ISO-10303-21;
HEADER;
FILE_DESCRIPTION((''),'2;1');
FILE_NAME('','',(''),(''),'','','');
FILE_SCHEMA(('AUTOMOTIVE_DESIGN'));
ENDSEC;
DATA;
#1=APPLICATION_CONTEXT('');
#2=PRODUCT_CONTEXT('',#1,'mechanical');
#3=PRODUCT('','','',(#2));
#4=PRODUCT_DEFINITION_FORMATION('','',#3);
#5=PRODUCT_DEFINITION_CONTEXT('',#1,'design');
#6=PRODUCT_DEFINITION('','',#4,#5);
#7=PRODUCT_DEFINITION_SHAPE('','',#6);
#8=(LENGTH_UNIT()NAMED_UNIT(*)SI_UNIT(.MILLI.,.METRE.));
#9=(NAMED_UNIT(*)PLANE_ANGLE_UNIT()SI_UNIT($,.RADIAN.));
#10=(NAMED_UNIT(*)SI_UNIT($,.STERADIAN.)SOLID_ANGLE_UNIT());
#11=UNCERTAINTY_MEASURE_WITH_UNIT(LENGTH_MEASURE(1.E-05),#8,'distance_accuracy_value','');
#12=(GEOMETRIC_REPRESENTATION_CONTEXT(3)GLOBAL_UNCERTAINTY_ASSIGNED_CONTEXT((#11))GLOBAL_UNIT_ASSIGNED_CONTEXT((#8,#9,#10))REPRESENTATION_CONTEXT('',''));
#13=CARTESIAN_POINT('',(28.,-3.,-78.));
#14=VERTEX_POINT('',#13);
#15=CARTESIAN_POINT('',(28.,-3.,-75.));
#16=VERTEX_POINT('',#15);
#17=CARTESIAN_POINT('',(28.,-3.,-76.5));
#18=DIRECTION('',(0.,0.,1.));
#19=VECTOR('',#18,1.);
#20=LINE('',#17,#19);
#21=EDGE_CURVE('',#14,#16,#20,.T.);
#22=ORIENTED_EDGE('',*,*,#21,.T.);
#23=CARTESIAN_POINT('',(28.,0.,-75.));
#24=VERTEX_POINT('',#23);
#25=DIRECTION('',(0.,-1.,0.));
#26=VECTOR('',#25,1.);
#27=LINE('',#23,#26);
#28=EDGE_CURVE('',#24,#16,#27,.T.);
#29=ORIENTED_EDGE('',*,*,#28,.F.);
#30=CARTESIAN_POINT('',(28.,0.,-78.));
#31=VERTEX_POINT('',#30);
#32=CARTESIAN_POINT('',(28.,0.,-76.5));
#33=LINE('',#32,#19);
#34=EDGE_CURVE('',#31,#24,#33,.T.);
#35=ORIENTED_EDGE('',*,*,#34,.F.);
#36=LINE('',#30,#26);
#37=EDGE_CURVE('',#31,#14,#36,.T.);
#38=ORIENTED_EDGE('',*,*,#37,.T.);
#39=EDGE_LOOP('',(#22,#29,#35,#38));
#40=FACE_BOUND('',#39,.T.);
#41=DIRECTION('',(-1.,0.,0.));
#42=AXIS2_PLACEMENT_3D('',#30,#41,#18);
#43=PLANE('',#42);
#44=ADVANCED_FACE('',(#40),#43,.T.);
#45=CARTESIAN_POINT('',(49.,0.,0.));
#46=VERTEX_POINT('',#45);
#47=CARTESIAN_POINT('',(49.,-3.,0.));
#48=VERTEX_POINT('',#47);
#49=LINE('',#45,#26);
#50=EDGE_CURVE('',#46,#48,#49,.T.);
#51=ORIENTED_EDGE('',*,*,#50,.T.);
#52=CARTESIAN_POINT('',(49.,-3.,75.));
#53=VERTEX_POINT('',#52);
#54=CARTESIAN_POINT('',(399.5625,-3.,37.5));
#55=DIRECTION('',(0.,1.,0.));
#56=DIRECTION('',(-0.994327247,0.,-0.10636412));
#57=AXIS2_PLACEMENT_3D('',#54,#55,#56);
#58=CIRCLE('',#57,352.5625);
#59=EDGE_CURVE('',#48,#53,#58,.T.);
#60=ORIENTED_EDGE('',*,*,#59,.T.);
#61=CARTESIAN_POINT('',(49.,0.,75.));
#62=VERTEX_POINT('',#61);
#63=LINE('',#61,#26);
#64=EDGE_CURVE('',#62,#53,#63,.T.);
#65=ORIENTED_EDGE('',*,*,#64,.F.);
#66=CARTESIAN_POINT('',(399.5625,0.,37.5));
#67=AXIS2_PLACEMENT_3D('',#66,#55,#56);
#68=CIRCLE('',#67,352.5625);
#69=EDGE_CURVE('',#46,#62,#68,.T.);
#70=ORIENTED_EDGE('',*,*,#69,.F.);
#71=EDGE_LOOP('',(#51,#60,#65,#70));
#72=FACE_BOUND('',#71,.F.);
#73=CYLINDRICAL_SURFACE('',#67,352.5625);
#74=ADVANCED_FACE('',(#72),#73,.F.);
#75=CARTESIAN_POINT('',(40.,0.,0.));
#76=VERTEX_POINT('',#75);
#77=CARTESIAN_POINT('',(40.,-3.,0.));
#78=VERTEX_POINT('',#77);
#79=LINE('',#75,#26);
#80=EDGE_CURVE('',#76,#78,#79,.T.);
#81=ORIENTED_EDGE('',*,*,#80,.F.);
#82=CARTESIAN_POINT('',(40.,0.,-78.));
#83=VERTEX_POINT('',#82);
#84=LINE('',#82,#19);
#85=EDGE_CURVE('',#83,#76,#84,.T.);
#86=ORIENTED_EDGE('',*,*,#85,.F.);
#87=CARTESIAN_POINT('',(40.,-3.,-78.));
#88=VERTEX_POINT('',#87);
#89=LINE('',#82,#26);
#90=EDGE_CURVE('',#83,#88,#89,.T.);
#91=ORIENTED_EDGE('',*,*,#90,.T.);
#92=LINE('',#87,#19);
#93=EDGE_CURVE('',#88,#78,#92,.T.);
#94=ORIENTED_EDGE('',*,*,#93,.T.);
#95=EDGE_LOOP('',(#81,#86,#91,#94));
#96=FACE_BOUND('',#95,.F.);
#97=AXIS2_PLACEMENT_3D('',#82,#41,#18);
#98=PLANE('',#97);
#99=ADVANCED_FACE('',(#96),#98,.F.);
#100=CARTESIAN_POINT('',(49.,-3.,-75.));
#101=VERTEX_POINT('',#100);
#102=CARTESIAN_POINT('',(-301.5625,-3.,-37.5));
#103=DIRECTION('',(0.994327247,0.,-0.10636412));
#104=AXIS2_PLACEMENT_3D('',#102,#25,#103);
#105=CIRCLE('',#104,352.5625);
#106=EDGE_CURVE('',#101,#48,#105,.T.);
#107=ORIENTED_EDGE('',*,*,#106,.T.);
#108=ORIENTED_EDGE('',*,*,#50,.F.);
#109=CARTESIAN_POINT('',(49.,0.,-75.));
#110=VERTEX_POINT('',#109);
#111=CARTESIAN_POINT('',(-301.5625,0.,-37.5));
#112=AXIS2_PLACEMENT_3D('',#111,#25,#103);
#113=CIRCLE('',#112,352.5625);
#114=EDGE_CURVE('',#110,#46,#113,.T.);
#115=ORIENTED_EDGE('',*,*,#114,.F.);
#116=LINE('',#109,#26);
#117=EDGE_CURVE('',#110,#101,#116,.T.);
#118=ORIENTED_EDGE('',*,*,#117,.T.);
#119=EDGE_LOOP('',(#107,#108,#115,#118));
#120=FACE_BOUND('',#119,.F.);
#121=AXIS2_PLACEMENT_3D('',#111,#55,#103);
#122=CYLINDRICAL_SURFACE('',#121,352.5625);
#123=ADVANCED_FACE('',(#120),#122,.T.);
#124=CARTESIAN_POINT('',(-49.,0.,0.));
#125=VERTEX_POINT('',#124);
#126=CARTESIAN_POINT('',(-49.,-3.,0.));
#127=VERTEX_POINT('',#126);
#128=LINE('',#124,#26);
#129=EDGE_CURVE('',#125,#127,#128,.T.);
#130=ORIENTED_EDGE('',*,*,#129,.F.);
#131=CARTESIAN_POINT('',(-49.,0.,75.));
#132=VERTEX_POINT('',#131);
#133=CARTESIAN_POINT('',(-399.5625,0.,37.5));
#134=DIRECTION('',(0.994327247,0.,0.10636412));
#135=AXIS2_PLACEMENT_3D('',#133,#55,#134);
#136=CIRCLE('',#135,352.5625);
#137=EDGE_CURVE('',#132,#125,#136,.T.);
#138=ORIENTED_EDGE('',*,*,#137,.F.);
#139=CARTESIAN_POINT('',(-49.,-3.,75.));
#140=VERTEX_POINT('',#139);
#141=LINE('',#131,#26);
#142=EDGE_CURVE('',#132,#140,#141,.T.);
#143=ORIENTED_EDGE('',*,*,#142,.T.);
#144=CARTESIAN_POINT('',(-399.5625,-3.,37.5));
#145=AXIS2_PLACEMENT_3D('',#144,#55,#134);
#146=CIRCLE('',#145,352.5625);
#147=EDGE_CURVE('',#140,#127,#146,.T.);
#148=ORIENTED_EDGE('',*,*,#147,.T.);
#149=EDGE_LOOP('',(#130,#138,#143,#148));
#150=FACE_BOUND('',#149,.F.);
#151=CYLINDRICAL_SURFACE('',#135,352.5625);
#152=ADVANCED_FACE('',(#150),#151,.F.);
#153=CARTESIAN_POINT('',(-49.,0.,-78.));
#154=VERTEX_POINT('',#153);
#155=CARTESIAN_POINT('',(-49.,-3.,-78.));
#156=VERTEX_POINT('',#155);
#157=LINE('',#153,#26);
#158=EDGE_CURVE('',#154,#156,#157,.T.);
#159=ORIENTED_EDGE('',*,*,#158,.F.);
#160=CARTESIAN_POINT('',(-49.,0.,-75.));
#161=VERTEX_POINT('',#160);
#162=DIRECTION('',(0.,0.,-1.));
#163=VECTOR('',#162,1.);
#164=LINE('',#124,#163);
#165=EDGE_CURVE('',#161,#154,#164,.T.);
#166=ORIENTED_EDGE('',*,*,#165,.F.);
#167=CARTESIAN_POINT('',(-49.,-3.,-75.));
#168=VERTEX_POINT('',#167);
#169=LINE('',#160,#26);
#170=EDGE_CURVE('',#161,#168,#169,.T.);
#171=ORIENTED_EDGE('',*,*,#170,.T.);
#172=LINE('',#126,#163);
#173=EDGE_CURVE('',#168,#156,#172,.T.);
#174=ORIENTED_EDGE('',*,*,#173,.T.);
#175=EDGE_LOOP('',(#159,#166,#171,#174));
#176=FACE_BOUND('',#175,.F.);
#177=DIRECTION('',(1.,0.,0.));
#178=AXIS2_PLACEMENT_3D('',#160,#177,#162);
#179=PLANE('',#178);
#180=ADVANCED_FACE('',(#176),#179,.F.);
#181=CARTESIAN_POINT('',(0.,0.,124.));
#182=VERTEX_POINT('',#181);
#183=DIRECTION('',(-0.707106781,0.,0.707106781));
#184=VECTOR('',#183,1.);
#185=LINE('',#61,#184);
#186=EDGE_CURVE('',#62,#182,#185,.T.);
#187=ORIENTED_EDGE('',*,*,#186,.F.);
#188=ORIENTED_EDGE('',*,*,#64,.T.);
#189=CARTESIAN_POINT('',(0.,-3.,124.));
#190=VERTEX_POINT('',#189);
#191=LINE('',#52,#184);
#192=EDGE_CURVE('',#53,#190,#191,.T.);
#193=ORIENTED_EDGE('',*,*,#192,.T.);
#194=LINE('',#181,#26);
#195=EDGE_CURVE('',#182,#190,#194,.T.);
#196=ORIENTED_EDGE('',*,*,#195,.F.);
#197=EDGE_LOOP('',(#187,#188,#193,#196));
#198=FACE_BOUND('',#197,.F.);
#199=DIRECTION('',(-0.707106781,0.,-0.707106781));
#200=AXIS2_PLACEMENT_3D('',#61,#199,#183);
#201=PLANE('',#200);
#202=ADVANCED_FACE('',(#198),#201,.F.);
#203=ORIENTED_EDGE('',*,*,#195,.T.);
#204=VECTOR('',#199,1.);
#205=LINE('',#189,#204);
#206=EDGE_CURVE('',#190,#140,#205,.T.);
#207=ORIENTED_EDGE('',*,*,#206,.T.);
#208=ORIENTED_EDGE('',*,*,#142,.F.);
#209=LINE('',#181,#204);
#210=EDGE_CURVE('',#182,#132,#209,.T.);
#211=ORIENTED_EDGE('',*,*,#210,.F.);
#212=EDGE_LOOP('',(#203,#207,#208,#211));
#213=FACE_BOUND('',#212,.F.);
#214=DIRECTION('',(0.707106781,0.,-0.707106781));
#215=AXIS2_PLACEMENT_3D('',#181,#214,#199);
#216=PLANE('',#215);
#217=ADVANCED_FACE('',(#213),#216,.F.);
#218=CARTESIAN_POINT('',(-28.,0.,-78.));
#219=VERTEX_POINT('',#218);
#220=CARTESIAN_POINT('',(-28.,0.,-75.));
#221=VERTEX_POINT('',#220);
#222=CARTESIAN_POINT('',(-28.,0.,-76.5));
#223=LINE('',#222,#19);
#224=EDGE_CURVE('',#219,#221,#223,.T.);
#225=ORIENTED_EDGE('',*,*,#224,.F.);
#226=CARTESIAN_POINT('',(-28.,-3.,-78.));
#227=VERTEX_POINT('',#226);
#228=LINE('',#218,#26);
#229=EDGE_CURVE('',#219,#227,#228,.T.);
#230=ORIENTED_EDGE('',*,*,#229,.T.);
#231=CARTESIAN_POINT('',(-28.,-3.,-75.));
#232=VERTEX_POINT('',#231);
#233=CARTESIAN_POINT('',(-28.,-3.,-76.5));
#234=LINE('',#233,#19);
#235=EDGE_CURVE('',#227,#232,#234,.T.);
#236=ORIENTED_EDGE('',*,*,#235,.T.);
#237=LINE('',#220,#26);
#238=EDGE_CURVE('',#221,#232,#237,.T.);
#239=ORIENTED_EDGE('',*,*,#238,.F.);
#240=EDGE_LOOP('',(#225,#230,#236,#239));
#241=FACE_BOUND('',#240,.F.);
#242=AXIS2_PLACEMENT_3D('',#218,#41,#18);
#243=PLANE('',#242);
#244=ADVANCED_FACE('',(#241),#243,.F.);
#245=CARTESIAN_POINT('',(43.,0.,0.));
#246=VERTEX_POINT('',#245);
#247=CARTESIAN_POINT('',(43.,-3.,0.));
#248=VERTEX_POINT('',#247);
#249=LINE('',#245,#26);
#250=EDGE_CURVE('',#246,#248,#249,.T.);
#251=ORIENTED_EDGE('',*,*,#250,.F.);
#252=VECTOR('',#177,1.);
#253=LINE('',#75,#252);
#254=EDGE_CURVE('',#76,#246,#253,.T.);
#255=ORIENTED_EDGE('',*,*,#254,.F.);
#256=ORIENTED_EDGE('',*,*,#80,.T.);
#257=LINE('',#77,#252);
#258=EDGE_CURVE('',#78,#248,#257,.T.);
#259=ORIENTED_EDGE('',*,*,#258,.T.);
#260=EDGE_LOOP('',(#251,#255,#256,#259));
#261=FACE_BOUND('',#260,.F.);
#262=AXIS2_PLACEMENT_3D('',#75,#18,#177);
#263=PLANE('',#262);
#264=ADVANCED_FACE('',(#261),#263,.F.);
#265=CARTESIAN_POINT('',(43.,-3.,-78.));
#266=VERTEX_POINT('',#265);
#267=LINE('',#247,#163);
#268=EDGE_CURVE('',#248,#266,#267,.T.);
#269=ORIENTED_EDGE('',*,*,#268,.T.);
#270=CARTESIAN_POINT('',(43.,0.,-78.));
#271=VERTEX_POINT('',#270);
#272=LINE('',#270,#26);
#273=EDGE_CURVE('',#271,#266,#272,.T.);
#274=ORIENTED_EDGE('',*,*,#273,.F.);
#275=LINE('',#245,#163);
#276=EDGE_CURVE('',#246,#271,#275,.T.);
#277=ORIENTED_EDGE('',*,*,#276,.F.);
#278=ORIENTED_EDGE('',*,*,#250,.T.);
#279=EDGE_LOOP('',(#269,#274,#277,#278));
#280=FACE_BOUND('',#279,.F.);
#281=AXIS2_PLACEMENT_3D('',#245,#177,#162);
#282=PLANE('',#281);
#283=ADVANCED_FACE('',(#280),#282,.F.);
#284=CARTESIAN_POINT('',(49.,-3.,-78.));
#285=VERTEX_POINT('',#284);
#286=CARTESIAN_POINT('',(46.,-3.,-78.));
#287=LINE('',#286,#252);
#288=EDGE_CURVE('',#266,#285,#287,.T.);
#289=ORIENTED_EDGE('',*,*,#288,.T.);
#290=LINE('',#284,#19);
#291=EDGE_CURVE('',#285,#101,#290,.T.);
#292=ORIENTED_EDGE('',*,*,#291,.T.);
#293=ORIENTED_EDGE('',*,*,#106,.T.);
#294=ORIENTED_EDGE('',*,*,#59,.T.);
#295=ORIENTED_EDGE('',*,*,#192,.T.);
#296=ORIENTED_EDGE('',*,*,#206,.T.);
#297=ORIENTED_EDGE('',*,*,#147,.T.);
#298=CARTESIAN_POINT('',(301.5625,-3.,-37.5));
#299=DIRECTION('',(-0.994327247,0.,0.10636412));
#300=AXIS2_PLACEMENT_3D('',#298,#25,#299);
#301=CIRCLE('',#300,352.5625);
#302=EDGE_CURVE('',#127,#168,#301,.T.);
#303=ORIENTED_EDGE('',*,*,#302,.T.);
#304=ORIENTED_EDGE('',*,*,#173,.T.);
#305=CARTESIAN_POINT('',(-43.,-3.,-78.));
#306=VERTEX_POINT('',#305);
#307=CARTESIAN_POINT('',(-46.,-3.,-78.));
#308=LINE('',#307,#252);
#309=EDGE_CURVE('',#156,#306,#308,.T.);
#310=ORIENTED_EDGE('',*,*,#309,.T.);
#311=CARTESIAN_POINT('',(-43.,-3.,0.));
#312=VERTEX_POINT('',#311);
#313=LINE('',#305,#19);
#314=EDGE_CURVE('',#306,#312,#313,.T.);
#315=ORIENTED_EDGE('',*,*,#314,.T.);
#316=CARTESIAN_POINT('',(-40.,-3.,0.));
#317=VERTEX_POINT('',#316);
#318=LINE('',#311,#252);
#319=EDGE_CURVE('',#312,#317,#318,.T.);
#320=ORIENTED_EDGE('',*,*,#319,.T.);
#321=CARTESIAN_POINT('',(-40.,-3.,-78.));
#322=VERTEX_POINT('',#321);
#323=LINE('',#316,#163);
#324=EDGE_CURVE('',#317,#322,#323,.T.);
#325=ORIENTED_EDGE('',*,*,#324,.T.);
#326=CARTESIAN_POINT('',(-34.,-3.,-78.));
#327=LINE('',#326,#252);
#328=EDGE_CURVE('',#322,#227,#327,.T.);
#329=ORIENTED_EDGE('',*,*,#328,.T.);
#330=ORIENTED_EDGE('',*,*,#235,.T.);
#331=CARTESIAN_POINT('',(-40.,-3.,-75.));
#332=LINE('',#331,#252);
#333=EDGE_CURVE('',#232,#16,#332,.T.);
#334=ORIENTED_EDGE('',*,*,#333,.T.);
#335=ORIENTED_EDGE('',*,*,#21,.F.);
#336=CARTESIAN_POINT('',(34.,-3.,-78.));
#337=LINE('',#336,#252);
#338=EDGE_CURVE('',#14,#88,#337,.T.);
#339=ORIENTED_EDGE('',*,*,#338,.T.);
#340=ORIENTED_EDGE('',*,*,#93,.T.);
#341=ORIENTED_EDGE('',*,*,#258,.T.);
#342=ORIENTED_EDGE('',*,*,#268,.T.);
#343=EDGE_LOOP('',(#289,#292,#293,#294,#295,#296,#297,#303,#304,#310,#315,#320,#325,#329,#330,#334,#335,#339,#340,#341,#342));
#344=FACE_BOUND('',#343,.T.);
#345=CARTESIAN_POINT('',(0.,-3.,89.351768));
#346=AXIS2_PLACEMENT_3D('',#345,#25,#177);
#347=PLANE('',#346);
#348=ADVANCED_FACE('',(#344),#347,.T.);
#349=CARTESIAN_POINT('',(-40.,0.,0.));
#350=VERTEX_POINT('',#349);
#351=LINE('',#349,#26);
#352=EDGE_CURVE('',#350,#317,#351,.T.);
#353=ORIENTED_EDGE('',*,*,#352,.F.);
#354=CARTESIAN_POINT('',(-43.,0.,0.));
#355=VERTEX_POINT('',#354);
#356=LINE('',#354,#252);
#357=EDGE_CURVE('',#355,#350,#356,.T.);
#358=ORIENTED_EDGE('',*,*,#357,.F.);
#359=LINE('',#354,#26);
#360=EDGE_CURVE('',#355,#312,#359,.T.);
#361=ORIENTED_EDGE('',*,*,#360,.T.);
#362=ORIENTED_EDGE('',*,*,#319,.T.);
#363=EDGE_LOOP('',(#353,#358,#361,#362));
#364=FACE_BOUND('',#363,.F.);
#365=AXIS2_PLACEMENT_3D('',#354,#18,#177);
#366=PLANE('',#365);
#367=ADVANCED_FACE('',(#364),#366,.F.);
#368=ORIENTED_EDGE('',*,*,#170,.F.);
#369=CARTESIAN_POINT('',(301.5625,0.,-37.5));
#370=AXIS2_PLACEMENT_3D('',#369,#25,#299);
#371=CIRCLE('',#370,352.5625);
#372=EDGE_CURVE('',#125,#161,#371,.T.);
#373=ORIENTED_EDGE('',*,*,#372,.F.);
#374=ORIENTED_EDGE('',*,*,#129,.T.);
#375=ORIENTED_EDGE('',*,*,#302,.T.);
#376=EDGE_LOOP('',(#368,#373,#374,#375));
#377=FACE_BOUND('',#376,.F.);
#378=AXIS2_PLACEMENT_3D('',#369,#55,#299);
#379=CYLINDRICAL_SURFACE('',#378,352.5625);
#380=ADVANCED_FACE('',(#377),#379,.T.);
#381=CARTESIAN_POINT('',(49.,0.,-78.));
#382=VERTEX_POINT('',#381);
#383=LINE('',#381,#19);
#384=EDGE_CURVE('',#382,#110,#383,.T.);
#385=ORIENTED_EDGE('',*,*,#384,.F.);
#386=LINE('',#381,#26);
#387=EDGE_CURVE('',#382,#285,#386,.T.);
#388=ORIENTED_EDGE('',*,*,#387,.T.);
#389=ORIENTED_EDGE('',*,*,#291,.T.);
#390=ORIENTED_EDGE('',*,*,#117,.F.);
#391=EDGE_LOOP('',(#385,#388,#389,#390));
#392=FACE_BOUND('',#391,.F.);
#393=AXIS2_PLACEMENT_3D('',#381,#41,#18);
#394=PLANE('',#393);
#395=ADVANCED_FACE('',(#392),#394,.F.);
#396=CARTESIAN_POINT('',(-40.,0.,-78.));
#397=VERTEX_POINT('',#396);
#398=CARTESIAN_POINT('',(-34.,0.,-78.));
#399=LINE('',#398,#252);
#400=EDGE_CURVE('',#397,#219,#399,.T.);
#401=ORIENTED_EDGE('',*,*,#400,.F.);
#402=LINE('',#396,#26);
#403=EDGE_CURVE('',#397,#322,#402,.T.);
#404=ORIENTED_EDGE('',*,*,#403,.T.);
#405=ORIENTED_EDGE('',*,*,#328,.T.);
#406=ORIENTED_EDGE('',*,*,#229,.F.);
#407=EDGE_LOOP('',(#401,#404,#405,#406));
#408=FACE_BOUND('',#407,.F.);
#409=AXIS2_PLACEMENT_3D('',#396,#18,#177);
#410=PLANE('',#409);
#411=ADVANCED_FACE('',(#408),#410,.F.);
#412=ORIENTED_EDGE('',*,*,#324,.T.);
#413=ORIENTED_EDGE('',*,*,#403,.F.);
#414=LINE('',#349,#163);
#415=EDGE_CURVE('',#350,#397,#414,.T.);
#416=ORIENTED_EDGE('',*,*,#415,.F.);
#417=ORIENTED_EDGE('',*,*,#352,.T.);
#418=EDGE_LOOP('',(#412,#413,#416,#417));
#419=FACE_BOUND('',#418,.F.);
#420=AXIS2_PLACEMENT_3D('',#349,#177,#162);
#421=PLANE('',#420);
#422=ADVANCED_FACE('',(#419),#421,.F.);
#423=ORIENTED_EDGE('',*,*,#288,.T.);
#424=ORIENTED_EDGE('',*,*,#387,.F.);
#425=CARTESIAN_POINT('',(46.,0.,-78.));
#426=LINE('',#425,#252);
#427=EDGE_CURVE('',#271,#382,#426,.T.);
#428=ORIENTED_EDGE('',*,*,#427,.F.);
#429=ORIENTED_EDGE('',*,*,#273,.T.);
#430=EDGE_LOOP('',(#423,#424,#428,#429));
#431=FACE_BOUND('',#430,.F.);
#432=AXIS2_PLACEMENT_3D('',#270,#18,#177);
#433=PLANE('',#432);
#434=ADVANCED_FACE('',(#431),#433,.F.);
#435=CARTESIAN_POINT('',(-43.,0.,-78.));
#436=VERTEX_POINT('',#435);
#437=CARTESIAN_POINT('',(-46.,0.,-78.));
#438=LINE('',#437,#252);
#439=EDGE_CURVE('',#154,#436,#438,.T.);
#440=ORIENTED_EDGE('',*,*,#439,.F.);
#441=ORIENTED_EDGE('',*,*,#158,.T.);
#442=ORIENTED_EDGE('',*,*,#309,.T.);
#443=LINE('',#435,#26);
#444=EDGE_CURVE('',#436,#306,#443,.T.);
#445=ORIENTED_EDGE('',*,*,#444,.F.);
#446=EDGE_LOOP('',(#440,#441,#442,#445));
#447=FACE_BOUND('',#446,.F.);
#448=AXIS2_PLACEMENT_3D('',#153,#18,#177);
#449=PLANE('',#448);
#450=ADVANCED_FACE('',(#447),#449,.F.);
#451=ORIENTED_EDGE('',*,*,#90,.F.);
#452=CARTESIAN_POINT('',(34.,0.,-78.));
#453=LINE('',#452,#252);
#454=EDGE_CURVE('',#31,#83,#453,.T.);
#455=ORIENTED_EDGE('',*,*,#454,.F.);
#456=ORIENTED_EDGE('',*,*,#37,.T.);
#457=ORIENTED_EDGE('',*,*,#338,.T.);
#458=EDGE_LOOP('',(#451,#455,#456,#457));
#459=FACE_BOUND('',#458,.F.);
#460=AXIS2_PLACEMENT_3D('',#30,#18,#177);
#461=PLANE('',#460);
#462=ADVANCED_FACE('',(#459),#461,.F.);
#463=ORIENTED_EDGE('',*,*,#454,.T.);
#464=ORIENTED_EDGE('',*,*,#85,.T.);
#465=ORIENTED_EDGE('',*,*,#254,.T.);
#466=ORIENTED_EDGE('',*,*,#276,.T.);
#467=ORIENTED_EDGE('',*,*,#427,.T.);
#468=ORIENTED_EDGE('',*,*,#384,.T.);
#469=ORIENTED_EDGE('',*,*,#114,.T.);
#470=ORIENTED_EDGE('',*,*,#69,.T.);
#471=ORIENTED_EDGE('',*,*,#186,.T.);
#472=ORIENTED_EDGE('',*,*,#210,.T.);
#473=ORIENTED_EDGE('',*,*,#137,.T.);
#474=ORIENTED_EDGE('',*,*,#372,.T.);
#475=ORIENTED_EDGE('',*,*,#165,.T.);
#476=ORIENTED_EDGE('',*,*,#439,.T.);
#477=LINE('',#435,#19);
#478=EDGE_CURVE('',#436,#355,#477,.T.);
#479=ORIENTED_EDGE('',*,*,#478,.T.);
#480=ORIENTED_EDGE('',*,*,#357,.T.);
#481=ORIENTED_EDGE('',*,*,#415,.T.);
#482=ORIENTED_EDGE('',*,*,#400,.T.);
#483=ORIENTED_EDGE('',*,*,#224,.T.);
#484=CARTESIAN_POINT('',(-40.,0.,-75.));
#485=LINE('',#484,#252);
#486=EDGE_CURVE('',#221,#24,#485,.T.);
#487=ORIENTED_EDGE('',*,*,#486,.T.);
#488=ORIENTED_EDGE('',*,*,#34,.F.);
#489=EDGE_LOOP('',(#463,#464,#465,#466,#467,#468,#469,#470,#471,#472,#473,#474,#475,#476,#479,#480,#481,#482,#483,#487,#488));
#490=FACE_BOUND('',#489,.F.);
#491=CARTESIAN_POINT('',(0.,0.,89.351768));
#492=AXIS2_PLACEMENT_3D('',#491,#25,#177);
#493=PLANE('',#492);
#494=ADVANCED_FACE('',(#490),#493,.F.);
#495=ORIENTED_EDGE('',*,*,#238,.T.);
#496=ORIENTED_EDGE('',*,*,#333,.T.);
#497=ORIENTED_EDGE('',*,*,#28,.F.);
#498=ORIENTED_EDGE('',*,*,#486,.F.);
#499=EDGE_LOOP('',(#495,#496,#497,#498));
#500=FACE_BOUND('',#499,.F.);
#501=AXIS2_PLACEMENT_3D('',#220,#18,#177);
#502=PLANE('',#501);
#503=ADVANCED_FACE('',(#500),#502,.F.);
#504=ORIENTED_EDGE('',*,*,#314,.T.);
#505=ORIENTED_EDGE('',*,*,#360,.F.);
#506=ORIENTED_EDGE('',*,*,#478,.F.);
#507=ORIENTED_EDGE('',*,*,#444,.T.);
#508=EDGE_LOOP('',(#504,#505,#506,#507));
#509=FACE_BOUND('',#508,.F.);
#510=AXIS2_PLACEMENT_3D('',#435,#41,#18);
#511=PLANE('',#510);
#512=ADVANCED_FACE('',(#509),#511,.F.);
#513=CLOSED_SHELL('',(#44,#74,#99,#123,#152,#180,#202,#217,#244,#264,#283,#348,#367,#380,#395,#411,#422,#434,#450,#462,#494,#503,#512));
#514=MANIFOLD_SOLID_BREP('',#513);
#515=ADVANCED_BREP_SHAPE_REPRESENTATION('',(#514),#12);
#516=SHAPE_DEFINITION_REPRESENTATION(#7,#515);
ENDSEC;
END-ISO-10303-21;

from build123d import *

# Parameters (mm, degrees)
F1_W     = 6
F1_H     = 3
F1_W_2   = 12
F2_DEPTH = 3


with BuildPart() as f2:
    # F1 (on Front) → F2 (new body)
    with BuildSketch(Plane.XZ):
        Polygon((-49, 75), (49, 75), (0, 124), align=None)
        with BuildLine():
            Line((43, -75), (49, -75))
            Line((49, -75), (49, 0))
            ThreePointArc((49, 0), (47, 37.5), (49, 75))
            Line((49, 75), (-49, 75))
            ThreePointArc((-49, 75), (-47, 37.5), (-49, 0))
            Line((-49, 0), (-49, -75))
            Line((-49, -75), (-43, -75))
            Line((-43, -75), (-43, 0))
            Line((-43, 0), (-40, 0))
            Line((-40, 0), (-40, -75))
            Line((-40, -75), (-28, -75))
            Line((-28, -75), (28, -75))
            Line((28, -75), (40, -75))
            Line((40, -75), (40, 0))
            Line((40, 0), (43, 0))
            Line((43, 0), (43, -75))
        make_face()
        with Locations((-46, -76.5)):
            Rectangle(F1_W, F1_H)
        with Locations((-34, -76.5)):
            Rectangle(F1_W_2, F1_H)
        with Locations((34, -76.5)):
            Rectangle(F1_W_2, F1_H)
        with Locations((46, -76.5)):
            Rectangle(F1_W, F1_H)
        with BuildLine():
            Line((-49, -75), (-49, 0))
            ThreePointArc((-49, 0), (-51, -37.5), (-49, -75))
        make_face()
        with BuildLine():
            Line((49, 0), (49, -75))
            ThreePointArc((49, -75), (51, -37.5), (49, 0))
        make_face()
    extrude(amount=F2_DEPTH)


solid = f2.part
